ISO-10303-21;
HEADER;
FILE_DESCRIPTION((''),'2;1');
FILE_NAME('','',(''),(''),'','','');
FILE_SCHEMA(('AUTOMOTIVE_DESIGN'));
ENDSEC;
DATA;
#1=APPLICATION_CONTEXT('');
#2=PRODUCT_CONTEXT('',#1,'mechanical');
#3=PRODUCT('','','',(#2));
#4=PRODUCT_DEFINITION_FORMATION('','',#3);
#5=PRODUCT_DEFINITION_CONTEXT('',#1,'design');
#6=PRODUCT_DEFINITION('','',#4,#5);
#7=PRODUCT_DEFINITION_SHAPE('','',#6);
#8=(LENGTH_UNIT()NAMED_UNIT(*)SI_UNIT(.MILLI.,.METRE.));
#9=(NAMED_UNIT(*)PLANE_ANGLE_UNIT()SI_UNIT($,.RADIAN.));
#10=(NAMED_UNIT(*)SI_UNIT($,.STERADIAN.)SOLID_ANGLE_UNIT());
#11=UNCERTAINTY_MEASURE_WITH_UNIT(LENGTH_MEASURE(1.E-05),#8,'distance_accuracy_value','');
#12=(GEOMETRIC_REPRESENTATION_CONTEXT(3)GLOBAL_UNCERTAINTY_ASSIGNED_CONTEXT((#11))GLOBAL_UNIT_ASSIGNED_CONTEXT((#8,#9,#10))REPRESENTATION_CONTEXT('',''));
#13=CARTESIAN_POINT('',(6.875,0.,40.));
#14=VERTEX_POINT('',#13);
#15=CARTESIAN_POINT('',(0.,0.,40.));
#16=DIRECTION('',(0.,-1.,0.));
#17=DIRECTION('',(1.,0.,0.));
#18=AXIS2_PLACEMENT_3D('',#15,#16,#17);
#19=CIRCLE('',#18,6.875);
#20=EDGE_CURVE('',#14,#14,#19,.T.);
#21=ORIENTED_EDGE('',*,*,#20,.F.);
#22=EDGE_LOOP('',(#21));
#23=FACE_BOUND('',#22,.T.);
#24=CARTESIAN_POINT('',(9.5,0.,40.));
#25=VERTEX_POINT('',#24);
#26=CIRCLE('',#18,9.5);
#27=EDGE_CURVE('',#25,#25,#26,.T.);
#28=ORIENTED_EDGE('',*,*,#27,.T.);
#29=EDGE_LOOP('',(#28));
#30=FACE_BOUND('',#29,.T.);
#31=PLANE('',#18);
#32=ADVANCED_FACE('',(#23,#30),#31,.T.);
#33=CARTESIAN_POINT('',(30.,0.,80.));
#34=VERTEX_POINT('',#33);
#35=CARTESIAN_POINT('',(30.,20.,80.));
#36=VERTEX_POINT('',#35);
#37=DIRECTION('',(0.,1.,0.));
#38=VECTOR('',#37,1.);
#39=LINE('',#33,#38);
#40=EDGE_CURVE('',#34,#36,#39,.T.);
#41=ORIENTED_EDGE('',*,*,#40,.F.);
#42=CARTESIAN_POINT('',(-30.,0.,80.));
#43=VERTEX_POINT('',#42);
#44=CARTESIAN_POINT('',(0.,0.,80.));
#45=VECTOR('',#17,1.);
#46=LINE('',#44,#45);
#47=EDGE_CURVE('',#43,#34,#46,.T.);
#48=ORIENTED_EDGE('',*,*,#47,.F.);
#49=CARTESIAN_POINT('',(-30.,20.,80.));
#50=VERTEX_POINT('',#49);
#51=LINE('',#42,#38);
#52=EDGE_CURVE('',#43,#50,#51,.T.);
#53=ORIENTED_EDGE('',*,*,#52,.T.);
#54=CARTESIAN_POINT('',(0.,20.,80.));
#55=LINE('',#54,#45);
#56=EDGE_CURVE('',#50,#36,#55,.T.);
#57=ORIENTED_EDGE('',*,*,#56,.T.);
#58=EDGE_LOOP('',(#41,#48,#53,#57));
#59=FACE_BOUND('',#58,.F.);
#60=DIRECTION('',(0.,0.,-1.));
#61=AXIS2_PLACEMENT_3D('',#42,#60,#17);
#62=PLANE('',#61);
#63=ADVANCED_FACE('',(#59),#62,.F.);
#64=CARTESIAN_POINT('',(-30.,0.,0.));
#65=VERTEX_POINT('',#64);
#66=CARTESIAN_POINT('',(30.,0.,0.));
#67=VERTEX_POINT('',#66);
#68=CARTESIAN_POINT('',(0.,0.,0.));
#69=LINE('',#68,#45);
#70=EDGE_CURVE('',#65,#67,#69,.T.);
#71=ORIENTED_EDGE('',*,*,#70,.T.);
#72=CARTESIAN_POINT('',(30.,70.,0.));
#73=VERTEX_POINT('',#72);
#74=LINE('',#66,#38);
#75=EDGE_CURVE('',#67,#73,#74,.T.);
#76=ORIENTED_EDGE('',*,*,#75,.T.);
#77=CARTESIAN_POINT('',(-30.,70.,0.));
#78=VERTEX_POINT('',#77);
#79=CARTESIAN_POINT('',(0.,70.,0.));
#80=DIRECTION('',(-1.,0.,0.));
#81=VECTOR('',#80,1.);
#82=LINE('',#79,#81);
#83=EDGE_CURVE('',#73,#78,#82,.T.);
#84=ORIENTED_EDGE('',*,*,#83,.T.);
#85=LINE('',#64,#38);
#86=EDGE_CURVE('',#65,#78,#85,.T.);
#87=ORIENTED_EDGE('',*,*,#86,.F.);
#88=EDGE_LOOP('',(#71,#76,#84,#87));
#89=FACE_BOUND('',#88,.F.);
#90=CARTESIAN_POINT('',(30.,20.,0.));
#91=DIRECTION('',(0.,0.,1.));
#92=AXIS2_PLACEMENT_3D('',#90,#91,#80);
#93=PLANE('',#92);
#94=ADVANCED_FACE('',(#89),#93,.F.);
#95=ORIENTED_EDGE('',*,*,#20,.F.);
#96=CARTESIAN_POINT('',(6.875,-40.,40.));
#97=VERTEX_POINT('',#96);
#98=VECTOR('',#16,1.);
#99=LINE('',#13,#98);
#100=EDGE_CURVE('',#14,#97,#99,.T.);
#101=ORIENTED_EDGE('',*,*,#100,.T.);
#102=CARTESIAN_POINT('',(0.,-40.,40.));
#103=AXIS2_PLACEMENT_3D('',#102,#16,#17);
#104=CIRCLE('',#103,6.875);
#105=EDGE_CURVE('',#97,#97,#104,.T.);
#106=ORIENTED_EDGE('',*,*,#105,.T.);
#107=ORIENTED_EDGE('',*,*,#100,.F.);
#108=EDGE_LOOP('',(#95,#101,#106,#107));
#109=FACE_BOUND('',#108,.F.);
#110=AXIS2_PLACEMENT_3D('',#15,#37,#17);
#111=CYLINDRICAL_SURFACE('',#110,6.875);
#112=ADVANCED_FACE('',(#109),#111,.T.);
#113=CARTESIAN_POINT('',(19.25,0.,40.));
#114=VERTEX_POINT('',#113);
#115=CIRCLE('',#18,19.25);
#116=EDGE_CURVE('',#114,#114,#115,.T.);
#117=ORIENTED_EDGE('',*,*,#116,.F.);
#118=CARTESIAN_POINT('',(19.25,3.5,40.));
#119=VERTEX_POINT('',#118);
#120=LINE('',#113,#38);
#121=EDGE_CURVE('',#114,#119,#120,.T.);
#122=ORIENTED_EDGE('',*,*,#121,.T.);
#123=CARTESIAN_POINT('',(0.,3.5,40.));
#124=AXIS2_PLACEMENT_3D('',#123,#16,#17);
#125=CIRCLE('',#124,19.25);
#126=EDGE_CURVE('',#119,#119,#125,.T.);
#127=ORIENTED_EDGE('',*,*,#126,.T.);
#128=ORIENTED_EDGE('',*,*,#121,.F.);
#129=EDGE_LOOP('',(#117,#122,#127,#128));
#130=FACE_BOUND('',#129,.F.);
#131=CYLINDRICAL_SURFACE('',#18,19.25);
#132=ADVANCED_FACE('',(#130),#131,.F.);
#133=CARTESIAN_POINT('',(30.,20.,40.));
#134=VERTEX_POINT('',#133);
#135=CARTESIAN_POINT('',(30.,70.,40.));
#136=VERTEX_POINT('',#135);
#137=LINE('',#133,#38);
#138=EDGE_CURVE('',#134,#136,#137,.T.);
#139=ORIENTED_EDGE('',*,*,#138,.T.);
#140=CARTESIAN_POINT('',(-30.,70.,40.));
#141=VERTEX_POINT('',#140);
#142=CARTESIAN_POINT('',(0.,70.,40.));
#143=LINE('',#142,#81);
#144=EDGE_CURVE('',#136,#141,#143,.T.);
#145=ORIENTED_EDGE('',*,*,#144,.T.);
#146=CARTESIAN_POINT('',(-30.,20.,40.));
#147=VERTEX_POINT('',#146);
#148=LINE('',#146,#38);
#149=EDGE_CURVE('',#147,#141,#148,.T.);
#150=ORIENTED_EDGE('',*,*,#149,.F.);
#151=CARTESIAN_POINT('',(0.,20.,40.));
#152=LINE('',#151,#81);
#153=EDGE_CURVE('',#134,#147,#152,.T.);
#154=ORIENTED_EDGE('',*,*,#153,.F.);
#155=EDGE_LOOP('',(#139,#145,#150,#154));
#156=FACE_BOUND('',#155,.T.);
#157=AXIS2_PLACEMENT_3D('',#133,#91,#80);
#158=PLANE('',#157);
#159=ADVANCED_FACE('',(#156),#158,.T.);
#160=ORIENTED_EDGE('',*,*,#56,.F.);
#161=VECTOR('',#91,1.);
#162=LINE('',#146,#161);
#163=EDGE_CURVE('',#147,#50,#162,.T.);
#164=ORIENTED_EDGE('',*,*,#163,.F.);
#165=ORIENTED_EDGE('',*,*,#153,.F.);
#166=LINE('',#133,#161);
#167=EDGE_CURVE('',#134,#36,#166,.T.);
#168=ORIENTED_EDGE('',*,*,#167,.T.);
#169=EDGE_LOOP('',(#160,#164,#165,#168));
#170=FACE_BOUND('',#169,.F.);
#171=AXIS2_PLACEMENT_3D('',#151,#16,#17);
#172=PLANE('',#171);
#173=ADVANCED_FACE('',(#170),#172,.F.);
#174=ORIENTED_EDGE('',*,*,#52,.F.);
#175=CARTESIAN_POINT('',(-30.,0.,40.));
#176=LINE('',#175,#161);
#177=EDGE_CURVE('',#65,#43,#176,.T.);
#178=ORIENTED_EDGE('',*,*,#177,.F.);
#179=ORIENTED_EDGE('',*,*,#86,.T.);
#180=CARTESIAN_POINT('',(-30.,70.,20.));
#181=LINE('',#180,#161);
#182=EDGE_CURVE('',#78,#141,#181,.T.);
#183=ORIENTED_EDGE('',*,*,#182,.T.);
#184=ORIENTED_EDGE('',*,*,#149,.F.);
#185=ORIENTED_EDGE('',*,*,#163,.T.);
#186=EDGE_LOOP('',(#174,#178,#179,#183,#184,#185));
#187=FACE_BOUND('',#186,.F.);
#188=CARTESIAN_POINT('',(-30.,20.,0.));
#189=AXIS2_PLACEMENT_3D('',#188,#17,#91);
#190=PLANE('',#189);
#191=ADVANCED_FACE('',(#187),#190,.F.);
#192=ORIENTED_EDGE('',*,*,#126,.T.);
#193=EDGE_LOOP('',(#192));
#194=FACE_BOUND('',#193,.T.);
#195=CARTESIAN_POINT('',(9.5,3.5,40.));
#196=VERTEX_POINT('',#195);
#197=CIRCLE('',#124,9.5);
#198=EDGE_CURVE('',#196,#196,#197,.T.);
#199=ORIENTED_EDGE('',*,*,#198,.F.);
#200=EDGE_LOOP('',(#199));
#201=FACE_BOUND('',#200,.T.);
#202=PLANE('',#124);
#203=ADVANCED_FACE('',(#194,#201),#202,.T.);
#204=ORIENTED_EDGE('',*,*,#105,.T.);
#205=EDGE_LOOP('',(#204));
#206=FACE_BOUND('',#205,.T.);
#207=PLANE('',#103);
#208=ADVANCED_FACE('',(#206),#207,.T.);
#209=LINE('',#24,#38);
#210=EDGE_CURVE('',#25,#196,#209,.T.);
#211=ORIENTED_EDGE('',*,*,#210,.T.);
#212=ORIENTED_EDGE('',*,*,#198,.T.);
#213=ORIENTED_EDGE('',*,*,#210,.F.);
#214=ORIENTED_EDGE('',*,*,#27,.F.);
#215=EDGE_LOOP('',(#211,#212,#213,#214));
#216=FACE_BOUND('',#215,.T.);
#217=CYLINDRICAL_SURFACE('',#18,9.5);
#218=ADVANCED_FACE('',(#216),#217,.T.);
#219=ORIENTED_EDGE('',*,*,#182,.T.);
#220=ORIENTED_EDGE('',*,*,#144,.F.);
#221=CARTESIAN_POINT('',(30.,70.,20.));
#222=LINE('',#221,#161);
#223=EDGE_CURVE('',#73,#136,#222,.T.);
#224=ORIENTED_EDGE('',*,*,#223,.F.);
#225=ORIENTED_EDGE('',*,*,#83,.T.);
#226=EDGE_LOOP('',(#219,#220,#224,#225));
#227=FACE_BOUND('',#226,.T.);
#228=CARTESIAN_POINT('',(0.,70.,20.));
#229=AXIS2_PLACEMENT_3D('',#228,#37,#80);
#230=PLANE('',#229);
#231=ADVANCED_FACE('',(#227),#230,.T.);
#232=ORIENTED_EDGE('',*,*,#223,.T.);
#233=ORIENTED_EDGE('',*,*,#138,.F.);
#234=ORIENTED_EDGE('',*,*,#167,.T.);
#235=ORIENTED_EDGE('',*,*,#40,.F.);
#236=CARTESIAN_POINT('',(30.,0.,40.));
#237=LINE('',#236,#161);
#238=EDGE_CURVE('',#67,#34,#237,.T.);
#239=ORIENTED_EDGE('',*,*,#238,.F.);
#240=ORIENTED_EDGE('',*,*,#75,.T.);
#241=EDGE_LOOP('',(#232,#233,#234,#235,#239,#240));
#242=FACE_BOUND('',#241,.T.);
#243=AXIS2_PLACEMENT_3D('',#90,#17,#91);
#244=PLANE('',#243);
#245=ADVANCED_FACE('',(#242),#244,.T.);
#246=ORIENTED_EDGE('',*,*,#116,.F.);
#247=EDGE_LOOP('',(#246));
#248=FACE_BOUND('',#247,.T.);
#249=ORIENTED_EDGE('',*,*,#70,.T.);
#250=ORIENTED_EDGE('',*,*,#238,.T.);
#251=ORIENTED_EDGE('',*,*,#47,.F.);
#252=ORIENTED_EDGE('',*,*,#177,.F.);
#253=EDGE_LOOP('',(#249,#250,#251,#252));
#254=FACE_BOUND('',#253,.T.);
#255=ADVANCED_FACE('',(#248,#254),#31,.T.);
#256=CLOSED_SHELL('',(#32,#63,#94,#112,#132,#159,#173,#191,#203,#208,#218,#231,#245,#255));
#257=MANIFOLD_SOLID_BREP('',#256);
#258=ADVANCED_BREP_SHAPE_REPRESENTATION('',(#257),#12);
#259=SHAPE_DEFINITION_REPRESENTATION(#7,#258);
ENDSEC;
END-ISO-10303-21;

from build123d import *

# Parameters (mm, degrees)
F0_R     = 6.875
F1_DEPTH = 40
F0_W     = 60
F0_H     = 80
F2_DEPTH = 20
F3_R     = 19.25
F3_R_2   = 9.5
F4_DEPTH = 3.5
F5_W     = 60
F5_H     = 40
F6_DEPTH = 50


with BuildPart() as f1:
    # F0 (on Front) → F1 (new body)
    with BuildSketch(Plane.XZ):
        with Locations((0, 40)):
            Circle(F0_R)
    extrude(amount=F1_DEPTH)

    # F0 (on Front) → F2 (join)
    with BuildSketch(Plane.XZ):
        with Locations((0, 40)):
            Rectangle(F0_W, F0_H)
        with Locations((0, 40)):
            Circle(F0_R, mode=Mode.SUBTRACT)
        with Locations((0, 40)):
            Circle(F0_R)
    extrude(amount=-F2_DEPTH)

    # F3 (on face) → F4 (cut)
    with BuildSketch(Plane.XZ):
        with Locations((0, 40)):
            Circle(F3_R)
        with Locations((0, 40)):
            Circle(F3_R_2, mode=Mode.SUBTRACT)
    extrude(amount=-F4_DEPTH, mode=Mode.SUBTRACT)

    # F5 (on face) → F6 (join)
    with BuildSketch(Plane(origin=(0, 20, 0), x_dir=(-1, 0, 0), z_dir=(0, 1, 0))):
        with Locations((0, 20)):
            Rectangle(F5_W, F5_H)
    extrude(amount=F6_DEPTH)


solid = f1.part
